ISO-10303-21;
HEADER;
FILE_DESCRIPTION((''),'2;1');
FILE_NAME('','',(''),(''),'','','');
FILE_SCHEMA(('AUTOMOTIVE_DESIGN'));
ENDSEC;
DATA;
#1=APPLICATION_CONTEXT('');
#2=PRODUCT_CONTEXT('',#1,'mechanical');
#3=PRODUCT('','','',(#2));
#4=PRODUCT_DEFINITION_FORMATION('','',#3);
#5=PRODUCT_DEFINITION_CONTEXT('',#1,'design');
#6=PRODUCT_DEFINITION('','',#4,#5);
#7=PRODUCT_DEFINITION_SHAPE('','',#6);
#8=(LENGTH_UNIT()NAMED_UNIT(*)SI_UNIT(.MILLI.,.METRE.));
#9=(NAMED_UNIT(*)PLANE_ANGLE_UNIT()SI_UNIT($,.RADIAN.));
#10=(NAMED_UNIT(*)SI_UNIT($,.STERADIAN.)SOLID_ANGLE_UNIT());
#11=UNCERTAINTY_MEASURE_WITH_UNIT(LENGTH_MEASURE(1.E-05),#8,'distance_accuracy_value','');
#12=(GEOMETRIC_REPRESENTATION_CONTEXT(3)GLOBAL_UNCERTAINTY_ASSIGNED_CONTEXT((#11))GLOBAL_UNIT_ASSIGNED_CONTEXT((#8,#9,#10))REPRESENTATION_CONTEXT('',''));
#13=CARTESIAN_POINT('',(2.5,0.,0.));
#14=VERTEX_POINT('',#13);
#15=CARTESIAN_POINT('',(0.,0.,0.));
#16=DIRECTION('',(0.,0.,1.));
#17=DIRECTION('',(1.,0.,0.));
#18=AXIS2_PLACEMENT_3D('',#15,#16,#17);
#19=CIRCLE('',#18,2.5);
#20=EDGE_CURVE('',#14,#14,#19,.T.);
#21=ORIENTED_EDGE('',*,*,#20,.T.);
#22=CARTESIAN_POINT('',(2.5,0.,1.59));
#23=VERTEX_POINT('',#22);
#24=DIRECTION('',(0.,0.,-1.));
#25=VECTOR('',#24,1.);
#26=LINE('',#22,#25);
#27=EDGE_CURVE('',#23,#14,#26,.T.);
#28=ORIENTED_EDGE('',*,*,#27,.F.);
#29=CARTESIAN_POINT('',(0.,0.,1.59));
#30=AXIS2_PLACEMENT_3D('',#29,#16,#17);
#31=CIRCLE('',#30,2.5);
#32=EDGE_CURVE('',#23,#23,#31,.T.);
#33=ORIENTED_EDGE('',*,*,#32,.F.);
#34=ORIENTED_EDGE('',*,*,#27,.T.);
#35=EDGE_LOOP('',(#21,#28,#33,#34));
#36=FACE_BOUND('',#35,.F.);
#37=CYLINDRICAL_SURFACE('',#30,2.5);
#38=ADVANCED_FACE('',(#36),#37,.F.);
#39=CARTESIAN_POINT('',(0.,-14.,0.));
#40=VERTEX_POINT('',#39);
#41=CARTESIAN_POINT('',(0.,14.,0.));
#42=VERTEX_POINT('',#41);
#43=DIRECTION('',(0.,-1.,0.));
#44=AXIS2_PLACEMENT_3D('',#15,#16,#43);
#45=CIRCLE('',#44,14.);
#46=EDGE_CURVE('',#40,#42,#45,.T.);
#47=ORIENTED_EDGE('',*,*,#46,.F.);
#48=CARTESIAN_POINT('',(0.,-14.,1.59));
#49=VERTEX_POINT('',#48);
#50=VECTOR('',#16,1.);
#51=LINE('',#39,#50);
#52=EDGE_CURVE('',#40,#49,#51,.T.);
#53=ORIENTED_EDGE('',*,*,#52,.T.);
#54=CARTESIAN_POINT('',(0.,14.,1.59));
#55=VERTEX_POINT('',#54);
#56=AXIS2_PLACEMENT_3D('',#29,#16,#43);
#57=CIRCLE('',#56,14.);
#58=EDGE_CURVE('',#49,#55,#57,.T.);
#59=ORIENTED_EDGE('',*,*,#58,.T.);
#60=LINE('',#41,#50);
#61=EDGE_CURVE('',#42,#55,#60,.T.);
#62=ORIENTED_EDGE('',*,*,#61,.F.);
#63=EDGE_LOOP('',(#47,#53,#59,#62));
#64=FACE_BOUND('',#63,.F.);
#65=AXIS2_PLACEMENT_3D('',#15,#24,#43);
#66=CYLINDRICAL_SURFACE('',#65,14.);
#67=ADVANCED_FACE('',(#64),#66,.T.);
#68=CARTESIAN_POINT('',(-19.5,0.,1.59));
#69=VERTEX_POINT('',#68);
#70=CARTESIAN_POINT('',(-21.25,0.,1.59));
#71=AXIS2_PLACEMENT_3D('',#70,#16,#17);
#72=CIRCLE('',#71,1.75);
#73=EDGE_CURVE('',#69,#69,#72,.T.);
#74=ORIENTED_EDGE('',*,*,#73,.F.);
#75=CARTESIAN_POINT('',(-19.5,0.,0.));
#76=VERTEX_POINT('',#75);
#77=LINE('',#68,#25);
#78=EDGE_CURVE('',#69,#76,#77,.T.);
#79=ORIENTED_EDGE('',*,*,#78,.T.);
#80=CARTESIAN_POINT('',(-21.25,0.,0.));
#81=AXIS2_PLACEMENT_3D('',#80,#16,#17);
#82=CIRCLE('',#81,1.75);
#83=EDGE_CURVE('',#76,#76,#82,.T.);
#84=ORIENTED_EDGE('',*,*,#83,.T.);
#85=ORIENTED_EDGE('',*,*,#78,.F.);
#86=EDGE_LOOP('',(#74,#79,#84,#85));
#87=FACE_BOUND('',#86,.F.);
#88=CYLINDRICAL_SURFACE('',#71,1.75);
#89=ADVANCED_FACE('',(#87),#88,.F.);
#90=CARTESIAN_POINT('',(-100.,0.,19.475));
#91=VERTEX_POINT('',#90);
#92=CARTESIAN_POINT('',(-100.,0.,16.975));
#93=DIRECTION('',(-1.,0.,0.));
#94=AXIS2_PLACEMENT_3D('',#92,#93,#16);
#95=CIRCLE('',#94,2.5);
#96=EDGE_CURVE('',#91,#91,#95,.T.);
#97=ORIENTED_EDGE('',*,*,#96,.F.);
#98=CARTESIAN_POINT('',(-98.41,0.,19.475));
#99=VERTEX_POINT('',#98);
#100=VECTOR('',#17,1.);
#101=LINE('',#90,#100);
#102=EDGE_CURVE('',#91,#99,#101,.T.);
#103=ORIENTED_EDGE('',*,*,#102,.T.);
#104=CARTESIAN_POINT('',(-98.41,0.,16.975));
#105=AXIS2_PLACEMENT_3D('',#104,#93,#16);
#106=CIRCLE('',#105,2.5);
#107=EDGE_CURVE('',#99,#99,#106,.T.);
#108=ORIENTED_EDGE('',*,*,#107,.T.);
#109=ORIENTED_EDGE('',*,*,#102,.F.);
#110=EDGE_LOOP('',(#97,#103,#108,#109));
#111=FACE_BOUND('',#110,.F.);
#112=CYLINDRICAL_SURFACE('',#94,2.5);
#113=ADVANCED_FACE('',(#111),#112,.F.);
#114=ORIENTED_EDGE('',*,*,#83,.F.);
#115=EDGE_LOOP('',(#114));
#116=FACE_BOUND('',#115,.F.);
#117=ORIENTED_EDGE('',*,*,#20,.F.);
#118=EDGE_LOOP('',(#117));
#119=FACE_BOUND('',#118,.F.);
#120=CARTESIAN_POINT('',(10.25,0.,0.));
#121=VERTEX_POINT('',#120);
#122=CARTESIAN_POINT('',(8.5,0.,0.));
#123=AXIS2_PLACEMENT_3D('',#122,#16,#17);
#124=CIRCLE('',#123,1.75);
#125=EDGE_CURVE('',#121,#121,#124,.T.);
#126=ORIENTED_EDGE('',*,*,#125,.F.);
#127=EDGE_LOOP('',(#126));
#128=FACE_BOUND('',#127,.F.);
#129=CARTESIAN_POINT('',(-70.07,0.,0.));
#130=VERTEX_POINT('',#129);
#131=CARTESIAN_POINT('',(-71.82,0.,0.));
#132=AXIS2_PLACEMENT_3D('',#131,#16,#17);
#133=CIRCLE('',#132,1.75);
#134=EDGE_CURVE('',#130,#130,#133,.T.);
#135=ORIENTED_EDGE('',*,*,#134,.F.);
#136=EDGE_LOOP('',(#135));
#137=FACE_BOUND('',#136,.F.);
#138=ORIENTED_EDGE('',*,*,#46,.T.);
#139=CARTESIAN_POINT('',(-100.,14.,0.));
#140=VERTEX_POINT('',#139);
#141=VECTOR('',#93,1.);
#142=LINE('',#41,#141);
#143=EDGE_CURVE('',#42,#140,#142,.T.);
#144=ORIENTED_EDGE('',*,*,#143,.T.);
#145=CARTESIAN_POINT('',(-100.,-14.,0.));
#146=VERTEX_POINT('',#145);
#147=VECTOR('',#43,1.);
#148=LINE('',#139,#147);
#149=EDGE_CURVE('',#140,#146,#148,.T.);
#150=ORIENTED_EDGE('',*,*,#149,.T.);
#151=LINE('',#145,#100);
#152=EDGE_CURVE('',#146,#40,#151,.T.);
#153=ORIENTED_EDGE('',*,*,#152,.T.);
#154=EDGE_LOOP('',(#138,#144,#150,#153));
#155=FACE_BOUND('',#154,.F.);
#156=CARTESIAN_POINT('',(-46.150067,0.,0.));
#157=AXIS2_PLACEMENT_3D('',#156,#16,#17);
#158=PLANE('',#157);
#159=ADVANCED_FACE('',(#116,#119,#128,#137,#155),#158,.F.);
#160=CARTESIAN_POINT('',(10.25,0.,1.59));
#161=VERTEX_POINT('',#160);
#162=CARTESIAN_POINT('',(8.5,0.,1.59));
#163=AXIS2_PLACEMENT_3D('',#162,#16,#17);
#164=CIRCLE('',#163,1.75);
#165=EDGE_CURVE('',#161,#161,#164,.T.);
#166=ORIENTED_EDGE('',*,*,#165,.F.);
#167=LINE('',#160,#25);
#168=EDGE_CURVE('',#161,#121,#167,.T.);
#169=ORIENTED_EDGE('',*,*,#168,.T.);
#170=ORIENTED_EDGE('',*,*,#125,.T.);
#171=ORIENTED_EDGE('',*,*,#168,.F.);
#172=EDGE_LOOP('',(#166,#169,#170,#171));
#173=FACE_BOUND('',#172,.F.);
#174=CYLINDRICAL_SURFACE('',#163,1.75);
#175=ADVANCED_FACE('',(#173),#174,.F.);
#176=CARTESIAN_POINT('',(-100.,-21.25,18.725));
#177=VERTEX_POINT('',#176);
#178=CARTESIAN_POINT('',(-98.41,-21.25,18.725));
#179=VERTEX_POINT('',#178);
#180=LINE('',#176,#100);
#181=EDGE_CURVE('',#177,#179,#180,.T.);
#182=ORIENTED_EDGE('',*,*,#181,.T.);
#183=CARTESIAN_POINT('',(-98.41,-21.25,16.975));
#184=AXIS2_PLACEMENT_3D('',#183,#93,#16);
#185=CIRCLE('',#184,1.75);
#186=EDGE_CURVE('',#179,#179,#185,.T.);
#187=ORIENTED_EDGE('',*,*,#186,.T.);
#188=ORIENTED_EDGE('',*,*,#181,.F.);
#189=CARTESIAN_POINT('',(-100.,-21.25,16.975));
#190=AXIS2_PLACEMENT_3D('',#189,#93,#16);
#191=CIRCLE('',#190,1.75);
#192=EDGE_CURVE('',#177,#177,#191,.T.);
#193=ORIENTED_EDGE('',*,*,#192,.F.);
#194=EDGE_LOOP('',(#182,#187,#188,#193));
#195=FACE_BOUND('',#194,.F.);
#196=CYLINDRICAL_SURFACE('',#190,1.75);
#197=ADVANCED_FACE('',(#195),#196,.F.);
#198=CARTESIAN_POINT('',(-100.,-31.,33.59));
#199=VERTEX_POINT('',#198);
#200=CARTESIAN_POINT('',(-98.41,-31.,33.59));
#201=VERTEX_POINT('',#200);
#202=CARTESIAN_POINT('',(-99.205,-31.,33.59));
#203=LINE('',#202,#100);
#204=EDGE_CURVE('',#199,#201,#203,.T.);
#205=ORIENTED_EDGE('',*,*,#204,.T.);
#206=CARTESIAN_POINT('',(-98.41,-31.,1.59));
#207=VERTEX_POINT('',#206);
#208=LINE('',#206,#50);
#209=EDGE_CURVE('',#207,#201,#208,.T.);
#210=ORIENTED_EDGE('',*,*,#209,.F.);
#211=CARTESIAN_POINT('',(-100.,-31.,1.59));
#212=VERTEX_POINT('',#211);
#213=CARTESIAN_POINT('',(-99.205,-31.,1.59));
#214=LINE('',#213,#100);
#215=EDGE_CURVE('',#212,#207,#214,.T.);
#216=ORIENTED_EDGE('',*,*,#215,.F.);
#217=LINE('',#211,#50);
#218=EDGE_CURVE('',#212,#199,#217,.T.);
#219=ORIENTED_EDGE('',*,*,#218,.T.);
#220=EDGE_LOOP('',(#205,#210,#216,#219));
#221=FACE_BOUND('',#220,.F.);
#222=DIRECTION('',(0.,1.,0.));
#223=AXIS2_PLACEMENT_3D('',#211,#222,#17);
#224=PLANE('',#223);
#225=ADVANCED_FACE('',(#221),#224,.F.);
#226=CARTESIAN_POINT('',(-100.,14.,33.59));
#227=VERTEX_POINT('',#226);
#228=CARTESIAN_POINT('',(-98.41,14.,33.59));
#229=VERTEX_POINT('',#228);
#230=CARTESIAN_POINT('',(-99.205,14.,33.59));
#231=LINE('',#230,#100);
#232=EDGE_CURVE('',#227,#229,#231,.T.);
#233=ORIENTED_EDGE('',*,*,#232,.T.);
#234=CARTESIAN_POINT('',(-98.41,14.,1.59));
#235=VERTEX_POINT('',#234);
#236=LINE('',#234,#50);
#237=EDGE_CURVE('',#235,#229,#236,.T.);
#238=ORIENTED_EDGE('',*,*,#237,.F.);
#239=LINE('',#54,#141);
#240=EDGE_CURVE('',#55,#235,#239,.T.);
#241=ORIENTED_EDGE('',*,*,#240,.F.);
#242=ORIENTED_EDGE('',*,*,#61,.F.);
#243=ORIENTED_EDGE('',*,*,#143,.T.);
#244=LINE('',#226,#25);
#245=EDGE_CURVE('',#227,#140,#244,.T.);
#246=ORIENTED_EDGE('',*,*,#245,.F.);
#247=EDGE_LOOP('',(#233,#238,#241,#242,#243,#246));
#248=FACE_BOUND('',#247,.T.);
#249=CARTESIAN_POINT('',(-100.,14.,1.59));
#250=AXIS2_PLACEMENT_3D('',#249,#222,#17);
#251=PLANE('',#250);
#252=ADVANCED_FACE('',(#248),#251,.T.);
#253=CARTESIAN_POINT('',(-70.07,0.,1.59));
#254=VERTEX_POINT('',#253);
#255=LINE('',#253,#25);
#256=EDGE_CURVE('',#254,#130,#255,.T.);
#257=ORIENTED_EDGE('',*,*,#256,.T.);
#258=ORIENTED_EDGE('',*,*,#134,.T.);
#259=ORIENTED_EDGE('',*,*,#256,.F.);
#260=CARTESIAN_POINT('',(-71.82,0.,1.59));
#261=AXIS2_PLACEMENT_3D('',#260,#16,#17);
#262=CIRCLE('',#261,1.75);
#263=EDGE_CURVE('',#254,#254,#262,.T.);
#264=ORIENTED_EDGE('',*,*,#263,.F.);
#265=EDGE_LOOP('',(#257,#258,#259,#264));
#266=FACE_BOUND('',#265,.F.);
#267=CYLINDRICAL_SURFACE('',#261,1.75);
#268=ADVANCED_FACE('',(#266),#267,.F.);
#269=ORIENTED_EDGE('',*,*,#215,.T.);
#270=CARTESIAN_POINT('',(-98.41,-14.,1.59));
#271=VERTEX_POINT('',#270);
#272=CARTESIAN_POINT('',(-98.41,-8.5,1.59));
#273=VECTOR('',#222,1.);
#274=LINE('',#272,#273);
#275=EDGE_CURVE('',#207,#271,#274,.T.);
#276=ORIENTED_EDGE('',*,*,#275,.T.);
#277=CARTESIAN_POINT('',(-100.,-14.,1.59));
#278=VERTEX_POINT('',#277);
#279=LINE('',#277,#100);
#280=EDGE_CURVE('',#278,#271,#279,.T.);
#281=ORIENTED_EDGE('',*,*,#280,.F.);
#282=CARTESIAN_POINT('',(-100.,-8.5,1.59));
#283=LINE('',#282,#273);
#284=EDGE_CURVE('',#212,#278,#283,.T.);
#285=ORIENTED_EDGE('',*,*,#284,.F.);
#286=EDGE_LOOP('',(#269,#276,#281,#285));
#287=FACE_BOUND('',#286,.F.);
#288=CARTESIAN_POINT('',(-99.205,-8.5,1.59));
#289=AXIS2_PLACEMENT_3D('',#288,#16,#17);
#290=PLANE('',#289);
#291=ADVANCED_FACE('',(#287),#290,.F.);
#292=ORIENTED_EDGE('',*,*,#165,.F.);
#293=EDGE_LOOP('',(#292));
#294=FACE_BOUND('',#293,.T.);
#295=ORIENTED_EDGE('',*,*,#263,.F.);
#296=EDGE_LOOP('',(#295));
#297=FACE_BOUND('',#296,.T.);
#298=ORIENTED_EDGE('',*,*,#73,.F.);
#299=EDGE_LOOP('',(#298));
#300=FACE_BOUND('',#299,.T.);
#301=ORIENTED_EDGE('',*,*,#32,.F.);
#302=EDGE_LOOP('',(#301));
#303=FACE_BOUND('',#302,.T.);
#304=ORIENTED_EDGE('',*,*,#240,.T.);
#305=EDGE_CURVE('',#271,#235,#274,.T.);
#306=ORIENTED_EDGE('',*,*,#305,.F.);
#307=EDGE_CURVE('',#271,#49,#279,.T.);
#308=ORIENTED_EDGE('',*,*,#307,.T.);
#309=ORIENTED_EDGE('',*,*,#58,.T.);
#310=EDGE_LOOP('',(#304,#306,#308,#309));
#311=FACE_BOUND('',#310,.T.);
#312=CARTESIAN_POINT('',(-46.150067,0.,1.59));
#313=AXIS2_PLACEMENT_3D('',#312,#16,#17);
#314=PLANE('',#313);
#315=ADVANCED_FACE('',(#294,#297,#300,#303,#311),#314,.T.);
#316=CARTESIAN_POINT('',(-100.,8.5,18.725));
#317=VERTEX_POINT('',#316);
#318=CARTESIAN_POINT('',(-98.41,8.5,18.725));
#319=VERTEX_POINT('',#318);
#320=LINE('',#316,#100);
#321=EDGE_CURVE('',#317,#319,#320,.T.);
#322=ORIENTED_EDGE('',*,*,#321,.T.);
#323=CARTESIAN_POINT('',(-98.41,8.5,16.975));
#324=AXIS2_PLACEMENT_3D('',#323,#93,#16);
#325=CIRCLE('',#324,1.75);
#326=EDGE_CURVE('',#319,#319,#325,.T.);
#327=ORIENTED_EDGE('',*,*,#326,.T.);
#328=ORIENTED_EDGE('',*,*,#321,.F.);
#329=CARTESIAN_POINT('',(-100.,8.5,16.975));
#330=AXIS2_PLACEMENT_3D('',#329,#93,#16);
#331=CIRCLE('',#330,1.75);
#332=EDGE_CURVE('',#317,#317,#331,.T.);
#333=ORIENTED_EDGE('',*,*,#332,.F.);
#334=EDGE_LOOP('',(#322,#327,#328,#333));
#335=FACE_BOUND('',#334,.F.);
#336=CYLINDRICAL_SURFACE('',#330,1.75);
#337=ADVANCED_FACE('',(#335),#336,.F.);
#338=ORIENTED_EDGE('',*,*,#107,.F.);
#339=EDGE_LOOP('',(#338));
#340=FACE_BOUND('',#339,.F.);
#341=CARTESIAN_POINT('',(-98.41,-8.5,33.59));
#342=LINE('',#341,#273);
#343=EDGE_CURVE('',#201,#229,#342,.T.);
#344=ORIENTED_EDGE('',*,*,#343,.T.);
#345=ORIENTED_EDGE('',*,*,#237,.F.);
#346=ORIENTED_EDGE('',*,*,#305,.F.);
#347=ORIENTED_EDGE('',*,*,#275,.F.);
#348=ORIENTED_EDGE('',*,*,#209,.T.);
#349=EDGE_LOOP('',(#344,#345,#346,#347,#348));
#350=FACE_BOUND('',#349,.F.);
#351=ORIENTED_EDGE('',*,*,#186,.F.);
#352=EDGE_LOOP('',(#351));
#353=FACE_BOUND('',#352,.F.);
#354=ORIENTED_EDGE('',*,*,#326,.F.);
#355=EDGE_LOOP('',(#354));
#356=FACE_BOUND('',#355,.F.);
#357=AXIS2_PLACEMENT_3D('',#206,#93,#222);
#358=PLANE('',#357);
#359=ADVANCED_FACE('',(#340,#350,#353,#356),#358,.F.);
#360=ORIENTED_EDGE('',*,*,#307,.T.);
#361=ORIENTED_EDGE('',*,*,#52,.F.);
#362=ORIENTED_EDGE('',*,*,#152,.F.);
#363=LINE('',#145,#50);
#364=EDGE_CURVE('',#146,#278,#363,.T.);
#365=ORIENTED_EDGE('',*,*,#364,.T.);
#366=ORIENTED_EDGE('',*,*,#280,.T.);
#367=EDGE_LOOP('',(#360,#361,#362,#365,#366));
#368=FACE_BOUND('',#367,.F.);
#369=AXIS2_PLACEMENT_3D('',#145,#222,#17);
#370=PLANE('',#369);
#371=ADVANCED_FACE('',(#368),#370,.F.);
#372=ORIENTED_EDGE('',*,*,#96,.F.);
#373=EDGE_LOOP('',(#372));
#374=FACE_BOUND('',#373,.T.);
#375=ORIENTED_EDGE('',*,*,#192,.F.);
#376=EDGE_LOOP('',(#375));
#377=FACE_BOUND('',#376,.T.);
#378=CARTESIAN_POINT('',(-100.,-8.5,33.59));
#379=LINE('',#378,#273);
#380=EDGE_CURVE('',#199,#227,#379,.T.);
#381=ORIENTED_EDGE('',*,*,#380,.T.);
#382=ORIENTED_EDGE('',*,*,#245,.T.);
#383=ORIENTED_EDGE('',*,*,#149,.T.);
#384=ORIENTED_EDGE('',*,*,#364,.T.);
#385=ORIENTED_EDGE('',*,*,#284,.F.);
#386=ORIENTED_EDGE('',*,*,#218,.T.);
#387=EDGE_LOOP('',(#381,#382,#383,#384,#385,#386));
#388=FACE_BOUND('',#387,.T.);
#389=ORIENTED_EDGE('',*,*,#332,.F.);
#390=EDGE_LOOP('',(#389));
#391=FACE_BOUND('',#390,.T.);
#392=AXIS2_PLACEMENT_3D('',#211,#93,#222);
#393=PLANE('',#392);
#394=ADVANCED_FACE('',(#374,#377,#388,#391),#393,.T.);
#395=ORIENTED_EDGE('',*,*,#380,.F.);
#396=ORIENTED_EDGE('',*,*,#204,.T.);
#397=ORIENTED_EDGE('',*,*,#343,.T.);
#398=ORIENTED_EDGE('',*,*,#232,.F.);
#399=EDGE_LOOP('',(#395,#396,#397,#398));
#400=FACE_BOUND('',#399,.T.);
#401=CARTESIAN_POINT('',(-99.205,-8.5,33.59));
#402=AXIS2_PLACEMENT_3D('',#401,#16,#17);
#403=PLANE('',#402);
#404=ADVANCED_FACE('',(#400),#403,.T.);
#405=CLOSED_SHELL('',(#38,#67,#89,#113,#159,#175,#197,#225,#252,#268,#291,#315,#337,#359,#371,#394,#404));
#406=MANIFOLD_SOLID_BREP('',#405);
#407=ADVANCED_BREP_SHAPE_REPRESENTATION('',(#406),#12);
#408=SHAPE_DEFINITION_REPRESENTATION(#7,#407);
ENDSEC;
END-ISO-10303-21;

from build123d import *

# Parameters (mm, degrees)
BOSS_EXTRUDE1_DEPTH = 1.59
SKETCH2_W           = 1.59
SKETCH2_H           = 45
BOSS_EXTRUDE2_DEPTH = 32
SKETCH3_R           = 2.5
SKETCH3_R_2         = 1.75
CUT_EXTRUDE1_DEPTH  = 110.476024773
SKETCH4_R           = 2.5
SKETCH4_R_2         = 1.75
CUT_EXTRUDE2_DEPTH  = 123.822180814


with BuildPart() as part:
    # Sketch1 → Boss-Extrude1 (new body)
    with BuildSketch(Plane.XY):
        with BuildLine():
            Line((0, 14), (-100, 14))
            Line((-100, 14), (-100, -14))
            Line((-100, -14), (0, -14))
            ThreePointArc((0, -14), (14, 0), (0, 14))
        make_face()
    extrude(amount=BOSS_EXTRUDE1_DEPTH)

    # Sketch2 → Boss-Extrude2 (add)
    with BuildSketch(Plane.XY.offset(1.59)):
        with Locations((-99.205, -8.5)):
            Rectangle(SKETCH2_W, SKETCH2_H)
    extrude(amount=BOSS_EXTRUDE2_DEPTH)

    # Sketch3 → Cut-Extrude1 (cut, through all)
    with BuildSketch(Plane.XY.offset(1.59)):
        Circle(SKETCH3_R)
        with Locations((8.5, 0)):
            Circle(SKETCH3_R_2)
        with Locations((-21.25, 0)):
            Circle(SKETCH3_R_2)
        with Locations((-71.82, 0)):
            Circle(SKETCH3_R_2)
    extrude(amount=-CUT_EXTRUDE1_DEPTH, mode=Mode.SUBTRACT)

    # Sketch4 → Cut-Extrude2 (cut, through all)
    with BuildSketch(Plane.ZY.offset(100)):
        with Locations((16.975, 0)):
            Circle(SKETCH4_R)
        with Locations((16.975, 8.5)):
            Circle(SKETCH4_R_2)
        with Locations((16.975, -21.25)):
            Circle(SKETCH4_R_2)
    extrude(amount=-CUT_EXTRUDE2_DEPTH, mode=Mode.SUBTRACT)


solid = part.part
